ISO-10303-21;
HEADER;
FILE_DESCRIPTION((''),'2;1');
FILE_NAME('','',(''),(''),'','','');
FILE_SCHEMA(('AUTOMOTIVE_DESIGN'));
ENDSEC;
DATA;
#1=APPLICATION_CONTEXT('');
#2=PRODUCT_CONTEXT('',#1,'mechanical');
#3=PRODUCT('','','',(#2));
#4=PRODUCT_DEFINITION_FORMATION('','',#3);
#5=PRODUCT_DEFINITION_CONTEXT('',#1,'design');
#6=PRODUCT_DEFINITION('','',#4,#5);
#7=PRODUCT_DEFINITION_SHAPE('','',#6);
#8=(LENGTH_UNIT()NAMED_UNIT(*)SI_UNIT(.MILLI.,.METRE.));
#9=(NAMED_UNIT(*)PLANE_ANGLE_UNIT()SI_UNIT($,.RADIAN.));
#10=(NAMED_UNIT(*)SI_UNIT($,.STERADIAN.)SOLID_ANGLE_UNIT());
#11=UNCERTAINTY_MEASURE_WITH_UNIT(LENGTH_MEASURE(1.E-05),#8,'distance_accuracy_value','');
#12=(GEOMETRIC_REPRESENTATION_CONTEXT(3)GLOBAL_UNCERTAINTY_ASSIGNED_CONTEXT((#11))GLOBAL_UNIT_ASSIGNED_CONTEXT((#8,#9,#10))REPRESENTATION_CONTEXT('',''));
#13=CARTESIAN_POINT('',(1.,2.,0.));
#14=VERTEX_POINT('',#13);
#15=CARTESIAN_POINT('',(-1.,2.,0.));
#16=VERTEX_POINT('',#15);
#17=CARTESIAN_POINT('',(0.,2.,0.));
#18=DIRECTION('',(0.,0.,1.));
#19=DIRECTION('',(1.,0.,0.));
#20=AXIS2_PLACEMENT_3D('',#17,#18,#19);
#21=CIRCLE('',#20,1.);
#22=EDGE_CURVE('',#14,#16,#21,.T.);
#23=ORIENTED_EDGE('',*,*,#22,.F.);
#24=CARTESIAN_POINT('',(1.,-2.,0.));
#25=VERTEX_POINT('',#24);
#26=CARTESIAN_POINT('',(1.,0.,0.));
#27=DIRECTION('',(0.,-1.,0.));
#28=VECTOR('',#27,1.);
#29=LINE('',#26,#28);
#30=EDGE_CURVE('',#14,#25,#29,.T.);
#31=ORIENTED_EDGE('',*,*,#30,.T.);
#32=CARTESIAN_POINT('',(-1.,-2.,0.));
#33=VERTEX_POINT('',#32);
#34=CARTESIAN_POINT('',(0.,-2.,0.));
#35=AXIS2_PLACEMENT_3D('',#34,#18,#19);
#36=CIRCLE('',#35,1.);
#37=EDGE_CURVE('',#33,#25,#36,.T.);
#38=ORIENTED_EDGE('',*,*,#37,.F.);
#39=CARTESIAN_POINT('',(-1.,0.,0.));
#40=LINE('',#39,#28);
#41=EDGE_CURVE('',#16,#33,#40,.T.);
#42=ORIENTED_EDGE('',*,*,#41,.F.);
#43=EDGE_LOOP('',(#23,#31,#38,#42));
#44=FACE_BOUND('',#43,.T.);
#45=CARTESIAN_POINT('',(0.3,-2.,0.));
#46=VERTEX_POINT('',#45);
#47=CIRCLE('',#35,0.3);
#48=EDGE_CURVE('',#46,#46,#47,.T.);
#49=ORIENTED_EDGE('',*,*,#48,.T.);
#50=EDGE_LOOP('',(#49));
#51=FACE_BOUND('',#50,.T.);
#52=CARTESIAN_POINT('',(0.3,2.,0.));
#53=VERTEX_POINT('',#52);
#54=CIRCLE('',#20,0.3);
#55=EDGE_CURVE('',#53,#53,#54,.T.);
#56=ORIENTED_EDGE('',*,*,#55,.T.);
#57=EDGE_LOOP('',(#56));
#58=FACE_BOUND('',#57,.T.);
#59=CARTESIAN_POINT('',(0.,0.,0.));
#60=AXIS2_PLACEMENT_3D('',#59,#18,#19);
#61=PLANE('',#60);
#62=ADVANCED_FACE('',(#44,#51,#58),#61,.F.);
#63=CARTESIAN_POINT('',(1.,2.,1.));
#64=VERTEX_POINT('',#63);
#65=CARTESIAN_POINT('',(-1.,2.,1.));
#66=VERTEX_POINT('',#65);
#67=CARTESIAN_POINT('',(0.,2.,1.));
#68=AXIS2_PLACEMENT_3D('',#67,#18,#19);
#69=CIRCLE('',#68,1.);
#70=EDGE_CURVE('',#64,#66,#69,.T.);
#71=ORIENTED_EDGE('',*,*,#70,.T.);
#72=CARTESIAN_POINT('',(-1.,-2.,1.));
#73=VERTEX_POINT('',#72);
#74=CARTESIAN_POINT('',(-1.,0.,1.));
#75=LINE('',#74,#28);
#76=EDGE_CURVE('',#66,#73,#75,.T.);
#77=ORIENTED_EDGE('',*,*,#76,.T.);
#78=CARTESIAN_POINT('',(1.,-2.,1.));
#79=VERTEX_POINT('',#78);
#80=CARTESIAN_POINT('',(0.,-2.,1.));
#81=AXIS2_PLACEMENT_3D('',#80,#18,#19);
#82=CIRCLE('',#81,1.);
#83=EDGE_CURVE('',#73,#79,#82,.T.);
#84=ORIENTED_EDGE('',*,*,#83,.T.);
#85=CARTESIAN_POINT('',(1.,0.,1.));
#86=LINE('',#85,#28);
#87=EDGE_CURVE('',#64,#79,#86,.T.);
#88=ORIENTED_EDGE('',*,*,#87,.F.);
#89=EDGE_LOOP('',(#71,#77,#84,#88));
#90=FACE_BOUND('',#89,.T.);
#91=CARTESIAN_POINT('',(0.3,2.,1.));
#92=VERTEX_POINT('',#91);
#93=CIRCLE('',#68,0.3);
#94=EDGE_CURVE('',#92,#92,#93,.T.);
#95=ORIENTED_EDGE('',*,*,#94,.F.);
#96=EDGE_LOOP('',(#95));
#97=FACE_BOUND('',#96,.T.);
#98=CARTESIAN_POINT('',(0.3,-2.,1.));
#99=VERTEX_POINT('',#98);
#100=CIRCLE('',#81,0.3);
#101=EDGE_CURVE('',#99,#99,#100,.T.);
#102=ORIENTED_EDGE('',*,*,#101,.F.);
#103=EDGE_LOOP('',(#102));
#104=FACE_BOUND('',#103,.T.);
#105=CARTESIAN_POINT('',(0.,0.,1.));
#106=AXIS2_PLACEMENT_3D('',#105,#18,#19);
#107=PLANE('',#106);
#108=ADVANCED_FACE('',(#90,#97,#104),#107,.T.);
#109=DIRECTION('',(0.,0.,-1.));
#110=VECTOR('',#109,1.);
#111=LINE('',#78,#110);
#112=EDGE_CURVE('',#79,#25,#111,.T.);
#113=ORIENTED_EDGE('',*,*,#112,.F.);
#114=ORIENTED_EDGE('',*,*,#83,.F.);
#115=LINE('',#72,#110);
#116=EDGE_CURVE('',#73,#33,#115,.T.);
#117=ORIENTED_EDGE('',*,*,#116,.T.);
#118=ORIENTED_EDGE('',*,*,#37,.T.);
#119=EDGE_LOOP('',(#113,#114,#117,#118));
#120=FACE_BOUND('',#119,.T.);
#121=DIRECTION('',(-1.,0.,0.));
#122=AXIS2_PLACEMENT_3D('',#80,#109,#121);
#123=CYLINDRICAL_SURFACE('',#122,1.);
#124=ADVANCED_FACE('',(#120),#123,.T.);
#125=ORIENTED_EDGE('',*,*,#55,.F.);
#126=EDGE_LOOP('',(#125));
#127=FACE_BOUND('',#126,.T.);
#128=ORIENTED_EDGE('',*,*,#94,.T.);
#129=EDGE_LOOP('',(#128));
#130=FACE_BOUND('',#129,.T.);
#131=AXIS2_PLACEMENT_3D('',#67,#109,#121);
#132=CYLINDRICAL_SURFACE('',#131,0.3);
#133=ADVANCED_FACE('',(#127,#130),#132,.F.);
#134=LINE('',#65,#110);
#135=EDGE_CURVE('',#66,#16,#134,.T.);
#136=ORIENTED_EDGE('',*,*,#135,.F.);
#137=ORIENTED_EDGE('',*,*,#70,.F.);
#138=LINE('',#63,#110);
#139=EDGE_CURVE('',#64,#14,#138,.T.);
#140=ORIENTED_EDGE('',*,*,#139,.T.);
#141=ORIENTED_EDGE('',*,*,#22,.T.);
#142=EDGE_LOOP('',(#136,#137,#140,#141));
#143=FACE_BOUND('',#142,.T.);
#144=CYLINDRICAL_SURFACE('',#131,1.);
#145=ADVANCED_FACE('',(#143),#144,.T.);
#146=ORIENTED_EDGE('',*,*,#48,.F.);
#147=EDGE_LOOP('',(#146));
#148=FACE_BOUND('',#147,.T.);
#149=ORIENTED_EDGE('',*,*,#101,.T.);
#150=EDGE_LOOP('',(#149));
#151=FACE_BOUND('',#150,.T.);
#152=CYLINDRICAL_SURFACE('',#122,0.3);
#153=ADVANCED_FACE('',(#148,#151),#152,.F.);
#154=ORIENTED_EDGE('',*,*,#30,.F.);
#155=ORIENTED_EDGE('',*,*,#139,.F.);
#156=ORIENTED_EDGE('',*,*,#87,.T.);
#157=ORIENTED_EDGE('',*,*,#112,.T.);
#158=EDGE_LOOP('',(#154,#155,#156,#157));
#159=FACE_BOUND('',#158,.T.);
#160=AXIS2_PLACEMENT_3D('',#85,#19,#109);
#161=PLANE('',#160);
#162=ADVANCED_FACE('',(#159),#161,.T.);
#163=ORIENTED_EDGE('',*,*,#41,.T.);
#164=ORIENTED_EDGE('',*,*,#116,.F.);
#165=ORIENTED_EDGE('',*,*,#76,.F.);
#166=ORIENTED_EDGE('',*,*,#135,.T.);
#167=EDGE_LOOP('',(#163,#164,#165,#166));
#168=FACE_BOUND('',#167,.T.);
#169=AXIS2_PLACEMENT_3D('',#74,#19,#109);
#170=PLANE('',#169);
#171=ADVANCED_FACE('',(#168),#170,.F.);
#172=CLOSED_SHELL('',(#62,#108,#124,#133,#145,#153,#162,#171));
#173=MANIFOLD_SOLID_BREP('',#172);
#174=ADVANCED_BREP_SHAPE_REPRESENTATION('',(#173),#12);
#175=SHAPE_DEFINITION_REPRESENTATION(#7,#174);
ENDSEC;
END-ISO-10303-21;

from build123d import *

# Parameters (mm, degrees)
EXTRUDE_1_DEPTH = 1


with BuildPart() as part:
    # 草图1 → 凸台-拉伸1 (new body)
    with BuildSketch(Plane.XY):
        with BuildLine():
            ThreePointArc((-0.3, 2), (0, 2.3), (0.3, 2))
            Line((0.3, 2), (1, 2))
            ThreePointArc((1, 2), (0, 3), (-1, 2))
            Line((-1, 2), (-0.3, 2))
        make_face()
        with BuildLine():
            Line((1, 2), (0.3, 2))
            ThreePointArc((0.3, 2), (0, 1.7), (-0.3, 2))
            Line((-0.3, 2), (-1, 2))
            ThreePointArc((-1, 2), (0, 1), (1, 2))
        make_face()
        with BuildLine():
            Line((1, -2), (1, 2))
            ThreePointArc((1, 2), (0, 1), (-1, 2))
            Line((-1, 2), (-1, -2))
            ThreePointArc((-1, -2), (0, -1), (1, -2))
        make_face()
        with BuildLine():
            ThreePointArc((-1, -2), (0, -3), (1, -2))
            Line((1, -2), (0.3, -2))
            ThreePointArc((0.3, -2), (0, -2.3), (-0.3, -2))
            Line((-0.3, -2), (-1, -2))
        make_face()
        with BuildLine():
            Line((0.3, -2), (1, -2))
            ThreePointArc((1, -2), (0, -1), (-1, -2))
            Line((-1, -2), (-0.3, -2))
            ThreePointArc((-0.3, -2), (0, -1.7), (0.3, -2))
        make_face()
    extrude(amount=EXTRUDE_1_DEPTH)


solid = part.part
